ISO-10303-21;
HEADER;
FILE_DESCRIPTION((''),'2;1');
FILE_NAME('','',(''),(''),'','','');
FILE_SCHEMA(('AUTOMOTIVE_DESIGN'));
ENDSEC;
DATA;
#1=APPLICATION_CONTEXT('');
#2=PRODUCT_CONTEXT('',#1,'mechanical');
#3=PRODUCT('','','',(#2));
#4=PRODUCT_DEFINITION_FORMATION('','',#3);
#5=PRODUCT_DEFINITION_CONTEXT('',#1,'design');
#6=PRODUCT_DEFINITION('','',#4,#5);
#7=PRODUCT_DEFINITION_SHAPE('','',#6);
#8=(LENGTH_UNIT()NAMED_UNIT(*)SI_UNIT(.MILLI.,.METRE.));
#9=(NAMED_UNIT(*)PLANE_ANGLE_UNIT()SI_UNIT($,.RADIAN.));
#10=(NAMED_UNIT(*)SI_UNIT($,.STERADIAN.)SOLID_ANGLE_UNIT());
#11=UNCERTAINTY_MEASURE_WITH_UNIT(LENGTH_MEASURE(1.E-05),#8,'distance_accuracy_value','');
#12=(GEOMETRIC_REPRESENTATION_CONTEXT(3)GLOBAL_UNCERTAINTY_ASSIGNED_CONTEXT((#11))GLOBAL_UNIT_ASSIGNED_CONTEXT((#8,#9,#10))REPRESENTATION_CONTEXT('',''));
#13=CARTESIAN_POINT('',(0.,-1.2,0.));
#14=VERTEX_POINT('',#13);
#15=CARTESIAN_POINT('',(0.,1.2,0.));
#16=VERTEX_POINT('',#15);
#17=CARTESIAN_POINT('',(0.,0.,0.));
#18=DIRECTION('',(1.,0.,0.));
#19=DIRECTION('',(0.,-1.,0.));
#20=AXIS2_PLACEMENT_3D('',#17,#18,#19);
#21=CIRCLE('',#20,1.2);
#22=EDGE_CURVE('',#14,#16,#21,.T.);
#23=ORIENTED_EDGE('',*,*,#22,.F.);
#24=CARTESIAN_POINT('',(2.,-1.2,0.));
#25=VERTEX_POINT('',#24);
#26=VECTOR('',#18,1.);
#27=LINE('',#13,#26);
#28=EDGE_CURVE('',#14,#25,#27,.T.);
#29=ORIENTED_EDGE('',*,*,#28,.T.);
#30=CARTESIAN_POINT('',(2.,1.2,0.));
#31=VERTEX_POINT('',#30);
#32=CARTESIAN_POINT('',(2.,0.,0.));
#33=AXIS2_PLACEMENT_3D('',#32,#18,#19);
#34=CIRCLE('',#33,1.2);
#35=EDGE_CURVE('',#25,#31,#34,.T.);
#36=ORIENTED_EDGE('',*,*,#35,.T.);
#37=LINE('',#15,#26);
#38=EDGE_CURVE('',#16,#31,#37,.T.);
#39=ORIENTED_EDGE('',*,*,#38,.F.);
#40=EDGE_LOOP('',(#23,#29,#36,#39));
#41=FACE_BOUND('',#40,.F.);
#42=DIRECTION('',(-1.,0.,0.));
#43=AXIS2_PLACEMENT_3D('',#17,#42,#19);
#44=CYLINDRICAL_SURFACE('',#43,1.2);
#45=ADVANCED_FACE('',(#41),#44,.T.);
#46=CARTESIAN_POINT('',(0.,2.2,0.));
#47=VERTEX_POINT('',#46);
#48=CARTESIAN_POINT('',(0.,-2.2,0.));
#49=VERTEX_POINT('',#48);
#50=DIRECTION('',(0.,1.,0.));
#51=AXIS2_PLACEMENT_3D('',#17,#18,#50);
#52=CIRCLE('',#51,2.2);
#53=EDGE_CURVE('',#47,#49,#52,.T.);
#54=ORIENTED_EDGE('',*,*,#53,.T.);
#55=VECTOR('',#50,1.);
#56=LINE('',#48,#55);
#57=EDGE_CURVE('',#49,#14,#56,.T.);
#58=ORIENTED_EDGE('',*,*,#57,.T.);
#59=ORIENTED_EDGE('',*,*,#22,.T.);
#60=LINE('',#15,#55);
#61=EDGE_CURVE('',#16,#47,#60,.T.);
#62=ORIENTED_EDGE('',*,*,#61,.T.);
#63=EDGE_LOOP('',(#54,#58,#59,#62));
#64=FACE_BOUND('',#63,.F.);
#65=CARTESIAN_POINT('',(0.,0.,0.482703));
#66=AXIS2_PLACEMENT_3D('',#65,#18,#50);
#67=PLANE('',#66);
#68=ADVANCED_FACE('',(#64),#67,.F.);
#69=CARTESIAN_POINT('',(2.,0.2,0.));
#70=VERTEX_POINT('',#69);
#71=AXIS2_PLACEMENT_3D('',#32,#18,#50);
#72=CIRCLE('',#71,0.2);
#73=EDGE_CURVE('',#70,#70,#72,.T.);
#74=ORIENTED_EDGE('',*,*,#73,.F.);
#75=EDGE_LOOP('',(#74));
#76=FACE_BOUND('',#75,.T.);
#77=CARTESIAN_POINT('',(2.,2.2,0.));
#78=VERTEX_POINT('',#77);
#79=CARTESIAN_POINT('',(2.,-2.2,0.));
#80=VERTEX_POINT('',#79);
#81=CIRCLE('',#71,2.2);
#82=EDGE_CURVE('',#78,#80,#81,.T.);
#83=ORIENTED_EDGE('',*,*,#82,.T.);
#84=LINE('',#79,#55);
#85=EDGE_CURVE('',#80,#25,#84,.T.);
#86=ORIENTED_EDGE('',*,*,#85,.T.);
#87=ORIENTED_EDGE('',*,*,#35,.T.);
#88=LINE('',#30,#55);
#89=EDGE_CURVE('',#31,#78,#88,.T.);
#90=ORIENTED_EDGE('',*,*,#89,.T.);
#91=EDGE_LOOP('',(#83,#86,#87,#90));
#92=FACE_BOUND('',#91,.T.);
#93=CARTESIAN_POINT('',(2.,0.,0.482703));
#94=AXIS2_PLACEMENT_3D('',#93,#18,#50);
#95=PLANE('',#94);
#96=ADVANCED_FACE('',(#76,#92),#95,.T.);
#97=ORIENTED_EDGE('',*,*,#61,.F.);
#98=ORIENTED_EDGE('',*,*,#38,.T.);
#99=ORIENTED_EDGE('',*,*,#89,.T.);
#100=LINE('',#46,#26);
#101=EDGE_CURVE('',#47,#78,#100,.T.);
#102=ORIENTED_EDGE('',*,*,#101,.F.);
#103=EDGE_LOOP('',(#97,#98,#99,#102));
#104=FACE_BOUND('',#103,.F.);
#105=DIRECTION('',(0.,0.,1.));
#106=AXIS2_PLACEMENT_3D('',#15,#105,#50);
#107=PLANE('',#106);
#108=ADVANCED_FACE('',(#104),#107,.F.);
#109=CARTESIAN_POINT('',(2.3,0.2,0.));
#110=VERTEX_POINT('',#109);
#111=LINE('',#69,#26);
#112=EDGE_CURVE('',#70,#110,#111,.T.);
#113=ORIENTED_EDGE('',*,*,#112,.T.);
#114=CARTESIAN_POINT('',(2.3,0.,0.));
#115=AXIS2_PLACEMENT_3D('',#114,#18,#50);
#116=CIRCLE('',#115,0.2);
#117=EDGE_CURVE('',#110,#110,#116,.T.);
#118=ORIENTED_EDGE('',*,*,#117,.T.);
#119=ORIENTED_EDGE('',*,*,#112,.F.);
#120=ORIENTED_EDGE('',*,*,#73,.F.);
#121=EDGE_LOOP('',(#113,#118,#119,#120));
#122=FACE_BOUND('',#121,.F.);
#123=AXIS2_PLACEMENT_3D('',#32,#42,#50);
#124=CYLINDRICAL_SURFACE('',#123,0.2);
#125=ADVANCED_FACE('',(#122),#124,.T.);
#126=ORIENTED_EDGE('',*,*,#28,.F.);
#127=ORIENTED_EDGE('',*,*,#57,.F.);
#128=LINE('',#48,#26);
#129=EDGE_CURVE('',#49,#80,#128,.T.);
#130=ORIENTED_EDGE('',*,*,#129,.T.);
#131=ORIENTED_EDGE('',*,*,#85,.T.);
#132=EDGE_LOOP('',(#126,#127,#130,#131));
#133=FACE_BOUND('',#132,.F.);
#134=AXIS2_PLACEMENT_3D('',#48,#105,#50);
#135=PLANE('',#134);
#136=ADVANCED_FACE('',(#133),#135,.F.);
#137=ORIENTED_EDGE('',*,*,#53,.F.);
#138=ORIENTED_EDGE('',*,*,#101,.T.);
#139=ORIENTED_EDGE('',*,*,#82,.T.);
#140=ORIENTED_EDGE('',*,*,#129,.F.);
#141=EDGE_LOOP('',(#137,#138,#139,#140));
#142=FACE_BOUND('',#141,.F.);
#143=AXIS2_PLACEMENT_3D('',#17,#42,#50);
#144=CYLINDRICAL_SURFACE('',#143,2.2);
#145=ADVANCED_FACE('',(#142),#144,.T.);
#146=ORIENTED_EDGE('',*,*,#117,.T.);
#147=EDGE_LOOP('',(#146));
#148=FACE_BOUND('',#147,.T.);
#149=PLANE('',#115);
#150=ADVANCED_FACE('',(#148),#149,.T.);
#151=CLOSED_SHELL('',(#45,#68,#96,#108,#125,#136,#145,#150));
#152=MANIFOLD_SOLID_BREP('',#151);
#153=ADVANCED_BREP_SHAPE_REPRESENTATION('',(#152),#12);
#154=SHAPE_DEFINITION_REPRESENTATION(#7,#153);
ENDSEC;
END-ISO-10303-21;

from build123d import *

# Parameters (mm, degrees)
F1_DEPTH = 2
F2_R     = 0.2
F3_DEPTH = 0.3


with BuildPart() as f1:
    # F0 (on Right) → F1 (new body)
    with BuildSketch(Plane.YZ):
        with BuildLine():
            ThreePointArc((2.2, 0), (0, 2.2), (-2.2, 0))
            Line((-2.2, 0), (-1.2, 0))
            ThreePointArc((-1.2, 0), (0, -1.2), (1.2, 0))
            Line((1.2, 0), (2.2, 0))
        make_face()
    extrude(amount=F1_DEPTH)

    # F2 (on face) → F3 (join)
    with BuildSketch(Plane.YZ.offset(2)):
        Circle(F2_R)
    extrude(amount=F3_DEPTH)


solid = f1.part
